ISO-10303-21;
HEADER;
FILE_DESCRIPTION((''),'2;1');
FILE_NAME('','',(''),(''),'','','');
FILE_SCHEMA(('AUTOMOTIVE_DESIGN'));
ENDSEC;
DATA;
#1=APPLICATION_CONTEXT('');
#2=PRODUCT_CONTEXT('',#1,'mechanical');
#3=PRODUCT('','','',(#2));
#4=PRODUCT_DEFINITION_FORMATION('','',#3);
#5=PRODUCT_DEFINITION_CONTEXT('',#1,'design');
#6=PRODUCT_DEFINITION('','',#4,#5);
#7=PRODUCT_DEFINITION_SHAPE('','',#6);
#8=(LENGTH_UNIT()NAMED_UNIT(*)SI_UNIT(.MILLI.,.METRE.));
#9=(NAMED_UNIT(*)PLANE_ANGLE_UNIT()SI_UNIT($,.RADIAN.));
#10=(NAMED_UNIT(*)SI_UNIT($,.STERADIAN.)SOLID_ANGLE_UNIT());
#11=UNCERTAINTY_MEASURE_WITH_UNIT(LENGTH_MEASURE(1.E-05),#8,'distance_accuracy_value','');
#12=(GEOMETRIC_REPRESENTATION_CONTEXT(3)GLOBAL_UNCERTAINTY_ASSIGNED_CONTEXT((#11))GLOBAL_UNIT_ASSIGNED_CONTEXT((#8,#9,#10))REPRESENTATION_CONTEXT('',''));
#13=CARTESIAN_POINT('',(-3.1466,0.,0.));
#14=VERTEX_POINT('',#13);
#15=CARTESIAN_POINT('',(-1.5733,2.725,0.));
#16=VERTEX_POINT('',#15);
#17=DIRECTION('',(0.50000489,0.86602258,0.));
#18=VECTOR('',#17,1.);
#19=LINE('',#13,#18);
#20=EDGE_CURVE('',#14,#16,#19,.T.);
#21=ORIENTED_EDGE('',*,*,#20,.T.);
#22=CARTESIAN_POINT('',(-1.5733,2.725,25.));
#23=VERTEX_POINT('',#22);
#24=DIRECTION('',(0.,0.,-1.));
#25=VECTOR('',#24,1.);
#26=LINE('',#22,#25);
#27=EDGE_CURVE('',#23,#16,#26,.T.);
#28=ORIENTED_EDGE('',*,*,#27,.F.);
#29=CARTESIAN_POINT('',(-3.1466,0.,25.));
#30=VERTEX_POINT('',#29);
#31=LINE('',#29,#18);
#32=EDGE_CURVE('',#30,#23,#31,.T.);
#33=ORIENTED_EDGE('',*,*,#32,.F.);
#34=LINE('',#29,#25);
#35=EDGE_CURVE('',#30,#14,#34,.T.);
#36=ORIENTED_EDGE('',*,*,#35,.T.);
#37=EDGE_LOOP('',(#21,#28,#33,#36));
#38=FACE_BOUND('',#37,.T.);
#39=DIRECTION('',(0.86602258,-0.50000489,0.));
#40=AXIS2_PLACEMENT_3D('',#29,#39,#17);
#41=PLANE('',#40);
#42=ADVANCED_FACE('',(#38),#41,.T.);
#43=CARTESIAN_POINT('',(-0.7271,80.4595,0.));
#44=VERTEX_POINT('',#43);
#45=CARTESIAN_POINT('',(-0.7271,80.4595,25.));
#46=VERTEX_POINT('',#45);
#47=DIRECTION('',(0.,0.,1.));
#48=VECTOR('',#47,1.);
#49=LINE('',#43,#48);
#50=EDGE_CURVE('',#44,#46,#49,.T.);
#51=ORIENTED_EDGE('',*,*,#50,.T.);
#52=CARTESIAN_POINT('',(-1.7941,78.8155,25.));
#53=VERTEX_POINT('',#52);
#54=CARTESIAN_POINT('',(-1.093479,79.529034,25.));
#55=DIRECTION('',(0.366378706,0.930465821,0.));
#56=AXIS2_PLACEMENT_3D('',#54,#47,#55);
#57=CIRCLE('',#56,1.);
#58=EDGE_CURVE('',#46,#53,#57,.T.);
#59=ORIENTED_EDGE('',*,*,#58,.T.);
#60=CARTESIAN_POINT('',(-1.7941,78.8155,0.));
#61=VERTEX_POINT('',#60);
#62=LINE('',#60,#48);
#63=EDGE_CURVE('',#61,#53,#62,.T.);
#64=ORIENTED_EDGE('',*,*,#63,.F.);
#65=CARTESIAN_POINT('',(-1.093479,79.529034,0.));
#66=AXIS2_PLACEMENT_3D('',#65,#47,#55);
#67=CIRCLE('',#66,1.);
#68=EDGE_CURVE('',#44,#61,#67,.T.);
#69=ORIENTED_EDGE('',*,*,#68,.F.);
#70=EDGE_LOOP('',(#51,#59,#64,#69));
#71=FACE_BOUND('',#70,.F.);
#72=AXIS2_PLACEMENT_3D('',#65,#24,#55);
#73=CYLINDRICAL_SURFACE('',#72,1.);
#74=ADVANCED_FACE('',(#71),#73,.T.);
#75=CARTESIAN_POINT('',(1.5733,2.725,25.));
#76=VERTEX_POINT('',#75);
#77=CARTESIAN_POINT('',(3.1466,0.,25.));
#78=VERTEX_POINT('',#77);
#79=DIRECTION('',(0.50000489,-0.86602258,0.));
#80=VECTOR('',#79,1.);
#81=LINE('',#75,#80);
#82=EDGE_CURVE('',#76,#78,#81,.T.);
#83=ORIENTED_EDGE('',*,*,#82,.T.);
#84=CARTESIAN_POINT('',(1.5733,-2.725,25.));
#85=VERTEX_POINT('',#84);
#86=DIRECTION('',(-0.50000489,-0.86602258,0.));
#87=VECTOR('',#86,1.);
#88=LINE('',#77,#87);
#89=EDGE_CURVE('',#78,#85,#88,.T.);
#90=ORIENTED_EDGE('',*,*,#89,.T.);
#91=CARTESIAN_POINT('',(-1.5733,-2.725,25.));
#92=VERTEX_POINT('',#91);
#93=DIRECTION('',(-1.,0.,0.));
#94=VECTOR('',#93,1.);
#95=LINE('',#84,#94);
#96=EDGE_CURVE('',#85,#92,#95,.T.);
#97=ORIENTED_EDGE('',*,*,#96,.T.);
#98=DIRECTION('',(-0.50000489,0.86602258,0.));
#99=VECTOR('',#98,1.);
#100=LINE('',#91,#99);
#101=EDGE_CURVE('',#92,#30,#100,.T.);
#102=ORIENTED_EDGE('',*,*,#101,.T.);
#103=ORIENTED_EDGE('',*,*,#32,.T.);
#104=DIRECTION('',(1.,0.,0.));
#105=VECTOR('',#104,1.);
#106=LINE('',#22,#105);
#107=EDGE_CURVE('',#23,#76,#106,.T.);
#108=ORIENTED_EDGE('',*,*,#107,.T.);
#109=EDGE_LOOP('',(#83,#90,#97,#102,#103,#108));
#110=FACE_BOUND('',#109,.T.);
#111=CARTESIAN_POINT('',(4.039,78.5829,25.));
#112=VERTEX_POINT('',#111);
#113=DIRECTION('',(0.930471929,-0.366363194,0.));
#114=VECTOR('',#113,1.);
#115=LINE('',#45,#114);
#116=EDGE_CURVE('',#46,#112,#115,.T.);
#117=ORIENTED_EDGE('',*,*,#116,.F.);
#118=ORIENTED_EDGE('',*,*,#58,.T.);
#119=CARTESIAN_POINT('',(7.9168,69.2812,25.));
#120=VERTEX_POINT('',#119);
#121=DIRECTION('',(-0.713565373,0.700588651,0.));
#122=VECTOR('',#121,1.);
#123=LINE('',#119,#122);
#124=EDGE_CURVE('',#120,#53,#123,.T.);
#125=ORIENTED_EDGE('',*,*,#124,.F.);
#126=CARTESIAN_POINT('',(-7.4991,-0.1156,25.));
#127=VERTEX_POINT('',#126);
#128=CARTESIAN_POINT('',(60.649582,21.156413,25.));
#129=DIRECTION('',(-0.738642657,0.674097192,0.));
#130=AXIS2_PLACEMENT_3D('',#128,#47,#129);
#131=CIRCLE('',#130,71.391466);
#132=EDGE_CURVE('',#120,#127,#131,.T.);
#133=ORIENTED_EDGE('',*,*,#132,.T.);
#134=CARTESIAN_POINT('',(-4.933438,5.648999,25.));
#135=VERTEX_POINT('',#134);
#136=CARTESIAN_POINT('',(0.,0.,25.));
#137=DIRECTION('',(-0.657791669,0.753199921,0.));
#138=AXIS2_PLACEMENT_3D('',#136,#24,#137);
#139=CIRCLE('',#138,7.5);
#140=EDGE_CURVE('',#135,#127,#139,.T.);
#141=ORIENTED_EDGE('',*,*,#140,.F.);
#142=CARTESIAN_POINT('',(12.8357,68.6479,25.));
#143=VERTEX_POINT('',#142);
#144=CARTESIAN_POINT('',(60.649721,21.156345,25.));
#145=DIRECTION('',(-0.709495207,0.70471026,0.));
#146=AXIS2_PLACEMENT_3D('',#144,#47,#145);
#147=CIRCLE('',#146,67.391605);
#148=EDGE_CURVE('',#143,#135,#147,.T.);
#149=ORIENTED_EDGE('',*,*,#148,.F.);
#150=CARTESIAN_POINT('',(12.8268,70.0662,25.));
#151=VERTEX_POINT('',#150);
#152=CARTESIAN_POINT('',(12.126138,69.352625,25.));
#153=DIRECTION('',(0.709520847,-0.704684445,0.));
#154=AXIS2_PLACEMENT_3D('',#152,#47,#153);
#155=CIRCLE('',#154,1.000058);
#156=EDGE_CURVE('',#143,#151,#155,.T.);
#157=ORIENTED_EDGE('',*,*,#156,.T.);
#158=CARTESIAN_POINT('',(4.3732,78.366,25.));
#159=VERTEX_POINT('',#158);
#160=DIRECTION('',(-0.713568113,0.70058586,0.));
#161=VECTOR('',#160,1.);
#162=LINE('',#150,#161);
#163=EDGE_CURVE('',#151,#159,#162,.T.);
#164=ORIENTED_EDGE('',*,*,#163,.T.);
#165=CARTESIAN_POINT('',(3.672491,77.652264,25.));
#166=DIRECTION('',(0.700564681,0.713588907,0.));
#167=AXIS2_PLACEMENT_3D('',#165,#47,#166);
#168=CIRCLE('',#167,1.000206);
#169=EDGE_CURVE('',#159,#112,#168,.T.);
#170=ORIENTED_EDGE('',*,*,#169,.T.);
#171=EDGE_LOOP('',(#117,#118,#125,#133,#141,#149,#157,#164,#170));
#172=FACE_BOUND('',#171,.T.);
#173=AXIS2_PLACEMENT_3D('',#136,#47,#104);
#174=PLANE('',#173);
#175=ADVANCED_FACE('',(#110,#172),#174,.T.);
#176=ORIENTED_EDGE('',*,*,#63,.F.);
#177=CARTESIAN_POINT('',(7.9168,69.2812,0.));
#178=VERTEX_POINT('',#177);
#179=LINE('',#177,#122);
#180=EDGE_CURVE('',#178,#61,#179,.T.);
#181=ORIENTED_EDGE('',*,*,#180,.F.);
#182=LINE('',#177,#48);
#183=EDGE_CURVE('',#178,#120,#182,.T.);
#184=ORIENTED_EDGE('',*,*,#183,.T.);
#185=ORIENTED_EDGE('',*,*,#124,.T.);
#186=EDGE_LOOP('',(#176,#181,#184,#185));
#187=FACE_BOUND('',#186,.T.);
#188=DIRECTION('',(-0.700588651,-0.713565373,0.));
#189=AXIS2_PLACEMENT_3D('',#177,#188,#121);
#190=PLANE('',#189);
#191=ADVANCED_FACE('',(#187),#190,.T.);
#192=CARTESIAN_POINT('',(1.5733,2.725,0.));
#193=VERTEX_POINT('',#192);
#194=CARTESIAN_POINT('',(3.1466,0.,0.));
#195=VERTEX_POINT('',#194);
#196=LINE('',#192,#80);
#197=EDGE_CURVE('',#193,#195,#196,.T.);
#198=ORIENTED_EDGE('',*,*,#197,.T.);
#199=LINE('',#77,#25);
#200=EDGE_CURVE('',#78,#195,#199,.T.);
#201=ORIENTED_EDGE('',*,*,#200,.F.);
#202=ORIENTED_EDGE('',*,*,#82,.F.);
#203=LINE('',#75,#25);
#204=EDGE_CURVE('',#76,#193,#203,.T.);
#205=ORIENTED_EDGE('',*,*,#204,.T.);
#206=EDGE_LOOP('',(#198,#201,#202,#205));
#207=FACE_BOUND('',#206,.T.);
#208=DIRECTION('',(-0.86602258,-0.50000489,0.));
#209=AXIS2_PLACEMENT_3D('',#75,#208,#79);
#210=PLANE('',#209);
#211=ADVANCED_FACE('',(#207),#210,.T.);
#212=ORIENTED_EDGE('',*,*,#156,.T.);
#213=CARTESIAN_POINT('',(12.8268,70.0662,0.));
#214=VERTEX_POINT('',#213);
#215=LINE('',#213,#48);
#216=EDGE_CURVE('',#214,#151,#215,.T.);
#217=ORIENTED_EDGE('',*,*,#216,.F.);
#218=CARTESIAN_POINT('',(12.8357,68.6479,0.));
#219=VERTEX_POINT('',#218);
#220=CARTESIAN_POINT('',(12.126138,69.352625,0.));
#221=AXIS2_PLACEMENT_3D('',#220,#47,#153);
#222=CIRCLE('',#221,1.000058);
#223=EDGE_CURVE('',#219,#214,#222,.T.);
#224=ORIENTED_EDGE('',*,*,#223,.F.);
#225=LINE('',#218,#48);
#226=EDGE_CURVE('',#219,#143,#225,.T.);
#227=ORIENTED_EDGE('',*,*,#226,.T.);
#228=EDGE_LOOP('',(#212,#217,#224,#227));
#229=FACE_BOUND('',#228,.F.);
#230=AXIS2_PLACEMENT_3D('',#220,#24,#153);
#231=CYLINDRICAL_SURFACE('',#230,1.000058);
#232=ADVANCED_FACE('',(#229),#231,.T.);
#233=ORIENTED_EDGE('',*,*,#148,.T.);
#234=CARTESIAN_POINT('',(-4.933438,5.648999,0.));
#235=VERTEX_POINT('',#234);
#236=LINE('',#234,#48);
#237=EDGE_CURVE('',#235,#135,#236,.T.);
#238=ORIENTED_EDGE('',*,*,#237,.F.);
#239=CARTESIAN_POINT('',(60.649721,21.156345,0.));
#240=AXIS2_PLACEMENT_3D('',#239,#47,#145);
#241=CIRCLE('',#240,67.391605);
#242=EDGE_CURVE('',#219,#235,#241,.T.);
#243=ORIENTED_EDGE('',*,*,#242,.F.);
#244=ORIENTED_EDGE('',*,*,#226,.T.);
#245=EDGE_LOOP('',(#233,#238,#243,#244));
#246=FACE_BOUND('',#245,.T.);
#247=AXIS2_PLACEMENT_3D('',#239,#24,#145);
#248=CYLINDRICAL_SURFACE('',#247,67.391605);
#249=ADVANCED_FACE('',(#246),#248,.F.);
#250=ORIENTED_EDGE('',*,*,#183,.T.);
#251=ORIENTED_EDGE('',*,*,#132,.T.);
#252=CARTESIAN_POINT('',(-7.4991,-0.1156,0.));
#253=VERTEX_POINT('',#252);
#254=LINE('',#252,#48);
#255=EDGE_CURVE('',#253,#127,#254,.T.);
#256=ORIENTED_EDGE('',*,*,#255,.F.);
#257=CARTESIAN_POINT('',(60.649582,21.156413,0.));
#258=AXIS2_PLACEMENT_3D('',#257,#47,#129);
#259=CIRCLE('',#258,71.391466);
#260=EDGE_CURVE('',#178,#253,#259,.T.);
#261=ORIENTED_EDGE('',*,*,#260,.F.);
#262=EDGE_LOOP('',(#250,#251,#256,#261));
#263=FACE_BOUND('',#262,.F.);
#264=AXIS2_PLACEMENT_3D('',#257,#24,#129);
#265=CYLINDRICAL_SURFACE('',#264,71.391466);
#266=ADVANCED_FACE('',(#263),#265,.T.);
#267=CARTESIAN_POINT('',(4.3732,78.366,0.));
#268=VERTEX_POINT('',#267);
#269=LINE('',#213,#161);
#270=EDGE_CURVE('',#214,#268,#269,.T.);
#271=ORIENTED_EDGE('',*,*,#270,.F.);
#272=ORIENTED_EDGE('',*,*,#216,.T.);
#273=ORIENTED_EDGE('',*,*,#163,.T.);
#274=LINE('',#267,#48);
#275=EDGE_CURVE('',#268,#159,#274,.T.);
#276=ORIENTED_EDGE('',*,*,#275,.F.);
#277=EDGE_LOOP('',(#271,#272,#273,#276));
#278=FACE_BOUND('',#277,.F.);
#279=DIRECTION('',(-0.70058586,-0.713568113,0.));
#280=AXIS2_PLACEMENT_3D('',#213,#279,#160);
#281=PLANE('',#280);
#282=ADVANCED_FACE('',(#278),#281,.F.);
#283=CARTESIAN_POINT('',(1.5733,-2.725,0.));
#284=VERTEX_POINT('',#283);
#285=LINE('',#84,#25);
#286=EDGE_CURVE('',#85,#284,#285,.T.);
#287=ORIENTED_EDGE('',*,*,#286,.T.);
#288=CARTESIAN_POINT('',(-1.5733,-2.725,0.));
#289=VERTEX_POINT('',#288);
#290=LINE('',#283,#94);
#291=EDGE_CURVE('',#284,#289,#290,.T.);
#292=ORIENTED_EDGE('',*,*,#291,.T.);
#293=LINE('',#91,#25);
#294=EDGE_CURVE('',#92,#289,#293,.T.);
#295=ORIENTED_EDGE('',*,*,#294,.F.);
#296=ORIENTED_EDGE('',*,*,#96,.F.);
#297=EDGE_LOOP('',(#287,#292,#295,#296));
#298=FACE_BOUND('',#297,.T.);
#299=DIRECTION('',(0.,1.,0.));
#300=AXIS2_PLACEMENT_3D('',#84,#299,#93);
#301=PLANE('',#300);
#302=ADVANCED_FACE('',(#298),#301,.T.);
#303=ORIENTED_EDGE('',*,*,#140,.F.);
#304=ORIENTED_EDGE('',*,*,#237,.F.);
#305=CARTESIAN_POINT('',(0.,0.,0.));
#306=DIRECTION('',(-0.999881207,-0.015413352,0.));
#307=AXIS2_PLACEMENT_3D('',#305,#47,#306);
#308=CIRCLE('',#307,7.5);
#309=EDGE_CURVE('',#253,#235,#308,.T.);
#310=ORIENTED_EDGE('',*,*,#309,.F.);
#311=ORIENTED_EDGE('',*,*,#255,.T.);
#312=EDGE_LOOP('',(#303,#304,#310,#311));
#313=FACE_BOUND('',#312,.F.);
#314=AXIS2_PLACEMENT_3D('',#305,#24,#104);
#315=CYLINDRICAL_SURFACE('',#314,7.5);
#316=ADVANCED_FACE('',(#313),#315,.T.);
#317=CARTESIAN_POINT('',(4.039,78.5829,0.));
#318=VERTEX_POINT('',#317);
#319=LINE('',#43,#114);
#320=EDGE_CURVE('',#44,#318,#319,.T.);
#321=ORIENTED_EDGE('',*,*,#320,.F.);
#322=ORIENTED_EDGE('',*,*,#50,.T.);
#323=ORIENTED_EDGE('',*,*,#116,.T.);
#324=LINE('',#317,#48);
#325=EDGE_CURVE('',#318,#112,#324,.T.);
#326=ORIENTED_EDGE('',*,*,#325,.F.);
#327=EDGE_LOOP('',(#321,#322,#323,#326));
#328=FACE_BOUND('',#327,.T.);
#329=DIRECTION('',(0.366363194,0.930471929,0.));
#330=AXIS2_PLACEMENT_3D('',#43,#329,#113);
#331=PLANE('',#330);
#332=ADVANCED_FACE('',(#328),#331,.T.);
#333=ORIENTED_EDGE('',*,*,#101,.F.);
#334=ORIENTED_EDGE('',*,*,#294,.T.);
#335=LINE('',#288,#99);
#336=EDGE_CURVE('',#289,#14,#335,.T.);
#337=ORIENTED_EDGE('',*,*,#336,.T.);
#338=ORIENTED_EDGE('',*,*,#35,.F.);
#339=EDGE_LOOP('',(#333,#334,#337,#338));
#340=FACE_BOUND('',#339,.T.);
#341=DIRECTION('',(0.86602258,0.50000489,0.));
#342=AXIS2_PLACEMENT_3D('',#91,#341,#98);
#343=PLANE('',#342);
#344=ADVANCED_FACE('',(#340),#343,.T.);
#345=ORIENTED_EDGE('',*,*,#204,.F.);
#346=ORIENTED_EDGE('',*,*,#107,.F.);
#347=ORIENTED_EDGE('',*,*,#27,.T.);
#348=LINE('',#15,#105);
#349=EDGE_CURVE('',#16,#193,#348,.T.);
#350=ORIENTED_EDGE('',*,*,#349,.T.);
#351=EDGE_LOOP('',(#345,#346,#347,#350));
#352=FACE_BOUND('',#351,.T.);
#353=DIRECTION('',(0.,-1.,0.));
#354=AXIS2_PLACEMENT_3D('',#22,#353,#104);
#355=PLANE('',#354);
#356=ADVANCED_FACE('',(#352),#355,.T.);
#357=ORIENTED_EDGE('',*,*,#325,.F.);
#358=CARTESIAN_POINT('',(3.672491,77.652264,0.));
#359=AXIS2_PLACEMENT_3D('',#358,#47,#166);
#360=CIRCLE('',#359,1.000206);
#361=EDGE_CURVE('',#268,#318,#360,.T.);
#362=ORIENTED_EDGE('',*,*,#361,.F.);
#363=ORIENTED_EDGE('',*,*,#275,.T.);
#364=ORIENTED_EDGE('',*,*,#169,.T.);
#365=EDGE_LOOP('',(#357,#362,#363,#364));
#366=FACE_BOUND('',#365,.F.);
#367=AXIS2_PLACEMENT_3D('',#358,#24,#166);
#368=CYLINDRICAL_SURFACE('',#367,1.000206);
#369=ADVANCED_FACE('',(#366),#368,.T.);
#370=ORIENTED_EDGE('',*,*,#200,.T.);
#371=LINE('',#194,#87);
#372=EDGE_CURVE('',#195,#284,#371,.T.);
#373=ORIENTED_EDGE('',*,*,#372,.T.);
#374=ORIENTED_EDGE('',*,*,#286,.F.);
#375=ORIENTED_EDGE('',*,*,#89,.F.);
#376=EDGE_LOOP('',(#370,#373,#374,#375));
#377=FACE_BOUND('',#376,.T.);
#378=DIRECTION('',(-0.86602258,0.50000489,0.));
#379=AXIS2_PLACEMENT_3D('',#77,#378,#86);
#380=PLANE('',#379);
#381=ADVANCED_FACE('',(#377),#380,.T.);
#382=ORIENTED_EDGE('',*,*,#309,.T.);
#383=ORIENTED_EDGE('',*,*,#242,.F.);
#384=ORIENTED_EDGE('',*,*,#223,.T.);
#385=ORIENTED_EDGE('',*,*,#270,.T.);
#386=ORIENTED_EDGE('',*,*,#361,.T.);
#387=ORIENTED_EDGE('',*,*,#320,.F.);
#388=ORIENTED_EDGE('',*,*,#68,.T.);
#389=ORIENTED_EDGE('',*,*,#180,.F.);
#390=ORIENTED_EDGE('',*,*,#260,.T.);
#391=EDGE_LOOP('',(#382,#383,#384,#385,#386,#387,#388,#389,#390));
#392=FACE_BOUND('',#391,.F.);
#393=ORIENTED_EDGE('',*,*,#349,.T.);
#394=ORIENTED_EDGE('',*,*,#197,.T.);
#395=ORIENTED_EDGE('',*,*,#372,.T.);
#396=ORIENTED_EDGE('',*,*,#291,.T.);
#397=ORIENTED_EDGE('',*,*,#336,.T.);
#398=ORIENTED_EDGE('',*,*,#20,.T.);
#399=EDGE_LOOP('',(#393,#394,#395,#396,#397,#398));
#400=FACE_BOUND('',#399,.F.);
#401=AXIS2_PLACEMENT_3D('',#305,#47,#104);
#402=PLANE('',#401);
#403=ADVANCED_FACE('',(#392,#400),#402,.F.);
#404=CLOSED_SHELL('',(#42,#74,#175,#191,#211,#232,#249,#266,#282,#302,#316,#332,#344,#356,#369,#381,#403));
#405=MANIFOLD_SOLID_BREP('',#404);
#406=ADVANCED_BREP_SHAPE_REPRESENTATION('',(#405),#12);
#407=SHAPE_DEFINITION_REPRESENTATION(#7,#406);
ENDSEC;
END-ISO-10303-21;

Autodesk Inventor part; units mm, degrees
ref_plane "YZ Plane" through (0, 0, 0) normal (1, 0, 0) x (0, 1, 0)
ref_plane "XZ Plane" through (0, 0, 0) normal (0, 1, 0) x (-1, 0, 0)
ref_plane "XY Plane" through (0, 0, 0) normal (0, 0, 1) x (1, 0, 0)
sketch "Sketch1" plane through (0, 0, 0) normal (0, 0, 1) x (1, 0, 0)
  circle A0 centre (0, 0) radius 7.5
  arc A1 (7.9168, 69.2812) -> (-7.4991, -0.1156) centre (60.6498, 21.1563) ccw
  line L0 (7.9168, 69.2812) -> (-1.7941, 78.8155)
  arc A2 (12.8357, 68.6479) -> (-3.8386, 1.5889) centre (60.6498, 21.1563) ccw
  line L1 (12.8268, 70.0662) -> (4.3732, 78.366)
  line L2 (-0.7271, 80.4595) -> (4.039, 78.5829)
  arc A3 (4.3732, 78.366) -> (4.039, 78.5829) centre (3.6726, 77.6524) ccw
  arc A4 (-0.7271, 80.4595) -> (-1.7941, 78.8155) centre (-1.0935, 79.5291) ccw
  arc A5 (12.8357, 68.6479) -> (12.8268, 70.0662) centre (12.1262, 69.3526) ccw
  point P0 (-7.5, -0.0097)
  point P1 (13.5499, 69.3563)
  point P2 (-4.9334, 5.649)
  dimension "d0" = 15
  dimension "d11" = 4
  dimension "d12" = 1
extrude "Extrusion1" add sketch "Sketch1" along normal blind 25
sketch "Sketch2" plane through (0, 0, 25) normal (0, 0, 1) x (1, 0, 0)
  line L0 (1.5733, 2.725) -> (3.1466, 0)
  line L1 (3.1466, 0) -> (1.5733, -2.725)
  line L2 (1.5733, -2.725) -> (-1.5733, -2.725)
  line L3 (-1.5733, -2.725) -> (-3.1466, 0)
  line L4 (-3.1466, 0) -> (-1.5733, 2.725)
  line L5 (-1.5733, 2.725) -> (1.5733, 2.725)
  point P0 (0, 0)
  point P1 (0, 0)
  dimension "d7" = 5.45
extrude "Extrusion2" cut sketch "Sketch2" against normal blind 25
properties part number "Pincer"
